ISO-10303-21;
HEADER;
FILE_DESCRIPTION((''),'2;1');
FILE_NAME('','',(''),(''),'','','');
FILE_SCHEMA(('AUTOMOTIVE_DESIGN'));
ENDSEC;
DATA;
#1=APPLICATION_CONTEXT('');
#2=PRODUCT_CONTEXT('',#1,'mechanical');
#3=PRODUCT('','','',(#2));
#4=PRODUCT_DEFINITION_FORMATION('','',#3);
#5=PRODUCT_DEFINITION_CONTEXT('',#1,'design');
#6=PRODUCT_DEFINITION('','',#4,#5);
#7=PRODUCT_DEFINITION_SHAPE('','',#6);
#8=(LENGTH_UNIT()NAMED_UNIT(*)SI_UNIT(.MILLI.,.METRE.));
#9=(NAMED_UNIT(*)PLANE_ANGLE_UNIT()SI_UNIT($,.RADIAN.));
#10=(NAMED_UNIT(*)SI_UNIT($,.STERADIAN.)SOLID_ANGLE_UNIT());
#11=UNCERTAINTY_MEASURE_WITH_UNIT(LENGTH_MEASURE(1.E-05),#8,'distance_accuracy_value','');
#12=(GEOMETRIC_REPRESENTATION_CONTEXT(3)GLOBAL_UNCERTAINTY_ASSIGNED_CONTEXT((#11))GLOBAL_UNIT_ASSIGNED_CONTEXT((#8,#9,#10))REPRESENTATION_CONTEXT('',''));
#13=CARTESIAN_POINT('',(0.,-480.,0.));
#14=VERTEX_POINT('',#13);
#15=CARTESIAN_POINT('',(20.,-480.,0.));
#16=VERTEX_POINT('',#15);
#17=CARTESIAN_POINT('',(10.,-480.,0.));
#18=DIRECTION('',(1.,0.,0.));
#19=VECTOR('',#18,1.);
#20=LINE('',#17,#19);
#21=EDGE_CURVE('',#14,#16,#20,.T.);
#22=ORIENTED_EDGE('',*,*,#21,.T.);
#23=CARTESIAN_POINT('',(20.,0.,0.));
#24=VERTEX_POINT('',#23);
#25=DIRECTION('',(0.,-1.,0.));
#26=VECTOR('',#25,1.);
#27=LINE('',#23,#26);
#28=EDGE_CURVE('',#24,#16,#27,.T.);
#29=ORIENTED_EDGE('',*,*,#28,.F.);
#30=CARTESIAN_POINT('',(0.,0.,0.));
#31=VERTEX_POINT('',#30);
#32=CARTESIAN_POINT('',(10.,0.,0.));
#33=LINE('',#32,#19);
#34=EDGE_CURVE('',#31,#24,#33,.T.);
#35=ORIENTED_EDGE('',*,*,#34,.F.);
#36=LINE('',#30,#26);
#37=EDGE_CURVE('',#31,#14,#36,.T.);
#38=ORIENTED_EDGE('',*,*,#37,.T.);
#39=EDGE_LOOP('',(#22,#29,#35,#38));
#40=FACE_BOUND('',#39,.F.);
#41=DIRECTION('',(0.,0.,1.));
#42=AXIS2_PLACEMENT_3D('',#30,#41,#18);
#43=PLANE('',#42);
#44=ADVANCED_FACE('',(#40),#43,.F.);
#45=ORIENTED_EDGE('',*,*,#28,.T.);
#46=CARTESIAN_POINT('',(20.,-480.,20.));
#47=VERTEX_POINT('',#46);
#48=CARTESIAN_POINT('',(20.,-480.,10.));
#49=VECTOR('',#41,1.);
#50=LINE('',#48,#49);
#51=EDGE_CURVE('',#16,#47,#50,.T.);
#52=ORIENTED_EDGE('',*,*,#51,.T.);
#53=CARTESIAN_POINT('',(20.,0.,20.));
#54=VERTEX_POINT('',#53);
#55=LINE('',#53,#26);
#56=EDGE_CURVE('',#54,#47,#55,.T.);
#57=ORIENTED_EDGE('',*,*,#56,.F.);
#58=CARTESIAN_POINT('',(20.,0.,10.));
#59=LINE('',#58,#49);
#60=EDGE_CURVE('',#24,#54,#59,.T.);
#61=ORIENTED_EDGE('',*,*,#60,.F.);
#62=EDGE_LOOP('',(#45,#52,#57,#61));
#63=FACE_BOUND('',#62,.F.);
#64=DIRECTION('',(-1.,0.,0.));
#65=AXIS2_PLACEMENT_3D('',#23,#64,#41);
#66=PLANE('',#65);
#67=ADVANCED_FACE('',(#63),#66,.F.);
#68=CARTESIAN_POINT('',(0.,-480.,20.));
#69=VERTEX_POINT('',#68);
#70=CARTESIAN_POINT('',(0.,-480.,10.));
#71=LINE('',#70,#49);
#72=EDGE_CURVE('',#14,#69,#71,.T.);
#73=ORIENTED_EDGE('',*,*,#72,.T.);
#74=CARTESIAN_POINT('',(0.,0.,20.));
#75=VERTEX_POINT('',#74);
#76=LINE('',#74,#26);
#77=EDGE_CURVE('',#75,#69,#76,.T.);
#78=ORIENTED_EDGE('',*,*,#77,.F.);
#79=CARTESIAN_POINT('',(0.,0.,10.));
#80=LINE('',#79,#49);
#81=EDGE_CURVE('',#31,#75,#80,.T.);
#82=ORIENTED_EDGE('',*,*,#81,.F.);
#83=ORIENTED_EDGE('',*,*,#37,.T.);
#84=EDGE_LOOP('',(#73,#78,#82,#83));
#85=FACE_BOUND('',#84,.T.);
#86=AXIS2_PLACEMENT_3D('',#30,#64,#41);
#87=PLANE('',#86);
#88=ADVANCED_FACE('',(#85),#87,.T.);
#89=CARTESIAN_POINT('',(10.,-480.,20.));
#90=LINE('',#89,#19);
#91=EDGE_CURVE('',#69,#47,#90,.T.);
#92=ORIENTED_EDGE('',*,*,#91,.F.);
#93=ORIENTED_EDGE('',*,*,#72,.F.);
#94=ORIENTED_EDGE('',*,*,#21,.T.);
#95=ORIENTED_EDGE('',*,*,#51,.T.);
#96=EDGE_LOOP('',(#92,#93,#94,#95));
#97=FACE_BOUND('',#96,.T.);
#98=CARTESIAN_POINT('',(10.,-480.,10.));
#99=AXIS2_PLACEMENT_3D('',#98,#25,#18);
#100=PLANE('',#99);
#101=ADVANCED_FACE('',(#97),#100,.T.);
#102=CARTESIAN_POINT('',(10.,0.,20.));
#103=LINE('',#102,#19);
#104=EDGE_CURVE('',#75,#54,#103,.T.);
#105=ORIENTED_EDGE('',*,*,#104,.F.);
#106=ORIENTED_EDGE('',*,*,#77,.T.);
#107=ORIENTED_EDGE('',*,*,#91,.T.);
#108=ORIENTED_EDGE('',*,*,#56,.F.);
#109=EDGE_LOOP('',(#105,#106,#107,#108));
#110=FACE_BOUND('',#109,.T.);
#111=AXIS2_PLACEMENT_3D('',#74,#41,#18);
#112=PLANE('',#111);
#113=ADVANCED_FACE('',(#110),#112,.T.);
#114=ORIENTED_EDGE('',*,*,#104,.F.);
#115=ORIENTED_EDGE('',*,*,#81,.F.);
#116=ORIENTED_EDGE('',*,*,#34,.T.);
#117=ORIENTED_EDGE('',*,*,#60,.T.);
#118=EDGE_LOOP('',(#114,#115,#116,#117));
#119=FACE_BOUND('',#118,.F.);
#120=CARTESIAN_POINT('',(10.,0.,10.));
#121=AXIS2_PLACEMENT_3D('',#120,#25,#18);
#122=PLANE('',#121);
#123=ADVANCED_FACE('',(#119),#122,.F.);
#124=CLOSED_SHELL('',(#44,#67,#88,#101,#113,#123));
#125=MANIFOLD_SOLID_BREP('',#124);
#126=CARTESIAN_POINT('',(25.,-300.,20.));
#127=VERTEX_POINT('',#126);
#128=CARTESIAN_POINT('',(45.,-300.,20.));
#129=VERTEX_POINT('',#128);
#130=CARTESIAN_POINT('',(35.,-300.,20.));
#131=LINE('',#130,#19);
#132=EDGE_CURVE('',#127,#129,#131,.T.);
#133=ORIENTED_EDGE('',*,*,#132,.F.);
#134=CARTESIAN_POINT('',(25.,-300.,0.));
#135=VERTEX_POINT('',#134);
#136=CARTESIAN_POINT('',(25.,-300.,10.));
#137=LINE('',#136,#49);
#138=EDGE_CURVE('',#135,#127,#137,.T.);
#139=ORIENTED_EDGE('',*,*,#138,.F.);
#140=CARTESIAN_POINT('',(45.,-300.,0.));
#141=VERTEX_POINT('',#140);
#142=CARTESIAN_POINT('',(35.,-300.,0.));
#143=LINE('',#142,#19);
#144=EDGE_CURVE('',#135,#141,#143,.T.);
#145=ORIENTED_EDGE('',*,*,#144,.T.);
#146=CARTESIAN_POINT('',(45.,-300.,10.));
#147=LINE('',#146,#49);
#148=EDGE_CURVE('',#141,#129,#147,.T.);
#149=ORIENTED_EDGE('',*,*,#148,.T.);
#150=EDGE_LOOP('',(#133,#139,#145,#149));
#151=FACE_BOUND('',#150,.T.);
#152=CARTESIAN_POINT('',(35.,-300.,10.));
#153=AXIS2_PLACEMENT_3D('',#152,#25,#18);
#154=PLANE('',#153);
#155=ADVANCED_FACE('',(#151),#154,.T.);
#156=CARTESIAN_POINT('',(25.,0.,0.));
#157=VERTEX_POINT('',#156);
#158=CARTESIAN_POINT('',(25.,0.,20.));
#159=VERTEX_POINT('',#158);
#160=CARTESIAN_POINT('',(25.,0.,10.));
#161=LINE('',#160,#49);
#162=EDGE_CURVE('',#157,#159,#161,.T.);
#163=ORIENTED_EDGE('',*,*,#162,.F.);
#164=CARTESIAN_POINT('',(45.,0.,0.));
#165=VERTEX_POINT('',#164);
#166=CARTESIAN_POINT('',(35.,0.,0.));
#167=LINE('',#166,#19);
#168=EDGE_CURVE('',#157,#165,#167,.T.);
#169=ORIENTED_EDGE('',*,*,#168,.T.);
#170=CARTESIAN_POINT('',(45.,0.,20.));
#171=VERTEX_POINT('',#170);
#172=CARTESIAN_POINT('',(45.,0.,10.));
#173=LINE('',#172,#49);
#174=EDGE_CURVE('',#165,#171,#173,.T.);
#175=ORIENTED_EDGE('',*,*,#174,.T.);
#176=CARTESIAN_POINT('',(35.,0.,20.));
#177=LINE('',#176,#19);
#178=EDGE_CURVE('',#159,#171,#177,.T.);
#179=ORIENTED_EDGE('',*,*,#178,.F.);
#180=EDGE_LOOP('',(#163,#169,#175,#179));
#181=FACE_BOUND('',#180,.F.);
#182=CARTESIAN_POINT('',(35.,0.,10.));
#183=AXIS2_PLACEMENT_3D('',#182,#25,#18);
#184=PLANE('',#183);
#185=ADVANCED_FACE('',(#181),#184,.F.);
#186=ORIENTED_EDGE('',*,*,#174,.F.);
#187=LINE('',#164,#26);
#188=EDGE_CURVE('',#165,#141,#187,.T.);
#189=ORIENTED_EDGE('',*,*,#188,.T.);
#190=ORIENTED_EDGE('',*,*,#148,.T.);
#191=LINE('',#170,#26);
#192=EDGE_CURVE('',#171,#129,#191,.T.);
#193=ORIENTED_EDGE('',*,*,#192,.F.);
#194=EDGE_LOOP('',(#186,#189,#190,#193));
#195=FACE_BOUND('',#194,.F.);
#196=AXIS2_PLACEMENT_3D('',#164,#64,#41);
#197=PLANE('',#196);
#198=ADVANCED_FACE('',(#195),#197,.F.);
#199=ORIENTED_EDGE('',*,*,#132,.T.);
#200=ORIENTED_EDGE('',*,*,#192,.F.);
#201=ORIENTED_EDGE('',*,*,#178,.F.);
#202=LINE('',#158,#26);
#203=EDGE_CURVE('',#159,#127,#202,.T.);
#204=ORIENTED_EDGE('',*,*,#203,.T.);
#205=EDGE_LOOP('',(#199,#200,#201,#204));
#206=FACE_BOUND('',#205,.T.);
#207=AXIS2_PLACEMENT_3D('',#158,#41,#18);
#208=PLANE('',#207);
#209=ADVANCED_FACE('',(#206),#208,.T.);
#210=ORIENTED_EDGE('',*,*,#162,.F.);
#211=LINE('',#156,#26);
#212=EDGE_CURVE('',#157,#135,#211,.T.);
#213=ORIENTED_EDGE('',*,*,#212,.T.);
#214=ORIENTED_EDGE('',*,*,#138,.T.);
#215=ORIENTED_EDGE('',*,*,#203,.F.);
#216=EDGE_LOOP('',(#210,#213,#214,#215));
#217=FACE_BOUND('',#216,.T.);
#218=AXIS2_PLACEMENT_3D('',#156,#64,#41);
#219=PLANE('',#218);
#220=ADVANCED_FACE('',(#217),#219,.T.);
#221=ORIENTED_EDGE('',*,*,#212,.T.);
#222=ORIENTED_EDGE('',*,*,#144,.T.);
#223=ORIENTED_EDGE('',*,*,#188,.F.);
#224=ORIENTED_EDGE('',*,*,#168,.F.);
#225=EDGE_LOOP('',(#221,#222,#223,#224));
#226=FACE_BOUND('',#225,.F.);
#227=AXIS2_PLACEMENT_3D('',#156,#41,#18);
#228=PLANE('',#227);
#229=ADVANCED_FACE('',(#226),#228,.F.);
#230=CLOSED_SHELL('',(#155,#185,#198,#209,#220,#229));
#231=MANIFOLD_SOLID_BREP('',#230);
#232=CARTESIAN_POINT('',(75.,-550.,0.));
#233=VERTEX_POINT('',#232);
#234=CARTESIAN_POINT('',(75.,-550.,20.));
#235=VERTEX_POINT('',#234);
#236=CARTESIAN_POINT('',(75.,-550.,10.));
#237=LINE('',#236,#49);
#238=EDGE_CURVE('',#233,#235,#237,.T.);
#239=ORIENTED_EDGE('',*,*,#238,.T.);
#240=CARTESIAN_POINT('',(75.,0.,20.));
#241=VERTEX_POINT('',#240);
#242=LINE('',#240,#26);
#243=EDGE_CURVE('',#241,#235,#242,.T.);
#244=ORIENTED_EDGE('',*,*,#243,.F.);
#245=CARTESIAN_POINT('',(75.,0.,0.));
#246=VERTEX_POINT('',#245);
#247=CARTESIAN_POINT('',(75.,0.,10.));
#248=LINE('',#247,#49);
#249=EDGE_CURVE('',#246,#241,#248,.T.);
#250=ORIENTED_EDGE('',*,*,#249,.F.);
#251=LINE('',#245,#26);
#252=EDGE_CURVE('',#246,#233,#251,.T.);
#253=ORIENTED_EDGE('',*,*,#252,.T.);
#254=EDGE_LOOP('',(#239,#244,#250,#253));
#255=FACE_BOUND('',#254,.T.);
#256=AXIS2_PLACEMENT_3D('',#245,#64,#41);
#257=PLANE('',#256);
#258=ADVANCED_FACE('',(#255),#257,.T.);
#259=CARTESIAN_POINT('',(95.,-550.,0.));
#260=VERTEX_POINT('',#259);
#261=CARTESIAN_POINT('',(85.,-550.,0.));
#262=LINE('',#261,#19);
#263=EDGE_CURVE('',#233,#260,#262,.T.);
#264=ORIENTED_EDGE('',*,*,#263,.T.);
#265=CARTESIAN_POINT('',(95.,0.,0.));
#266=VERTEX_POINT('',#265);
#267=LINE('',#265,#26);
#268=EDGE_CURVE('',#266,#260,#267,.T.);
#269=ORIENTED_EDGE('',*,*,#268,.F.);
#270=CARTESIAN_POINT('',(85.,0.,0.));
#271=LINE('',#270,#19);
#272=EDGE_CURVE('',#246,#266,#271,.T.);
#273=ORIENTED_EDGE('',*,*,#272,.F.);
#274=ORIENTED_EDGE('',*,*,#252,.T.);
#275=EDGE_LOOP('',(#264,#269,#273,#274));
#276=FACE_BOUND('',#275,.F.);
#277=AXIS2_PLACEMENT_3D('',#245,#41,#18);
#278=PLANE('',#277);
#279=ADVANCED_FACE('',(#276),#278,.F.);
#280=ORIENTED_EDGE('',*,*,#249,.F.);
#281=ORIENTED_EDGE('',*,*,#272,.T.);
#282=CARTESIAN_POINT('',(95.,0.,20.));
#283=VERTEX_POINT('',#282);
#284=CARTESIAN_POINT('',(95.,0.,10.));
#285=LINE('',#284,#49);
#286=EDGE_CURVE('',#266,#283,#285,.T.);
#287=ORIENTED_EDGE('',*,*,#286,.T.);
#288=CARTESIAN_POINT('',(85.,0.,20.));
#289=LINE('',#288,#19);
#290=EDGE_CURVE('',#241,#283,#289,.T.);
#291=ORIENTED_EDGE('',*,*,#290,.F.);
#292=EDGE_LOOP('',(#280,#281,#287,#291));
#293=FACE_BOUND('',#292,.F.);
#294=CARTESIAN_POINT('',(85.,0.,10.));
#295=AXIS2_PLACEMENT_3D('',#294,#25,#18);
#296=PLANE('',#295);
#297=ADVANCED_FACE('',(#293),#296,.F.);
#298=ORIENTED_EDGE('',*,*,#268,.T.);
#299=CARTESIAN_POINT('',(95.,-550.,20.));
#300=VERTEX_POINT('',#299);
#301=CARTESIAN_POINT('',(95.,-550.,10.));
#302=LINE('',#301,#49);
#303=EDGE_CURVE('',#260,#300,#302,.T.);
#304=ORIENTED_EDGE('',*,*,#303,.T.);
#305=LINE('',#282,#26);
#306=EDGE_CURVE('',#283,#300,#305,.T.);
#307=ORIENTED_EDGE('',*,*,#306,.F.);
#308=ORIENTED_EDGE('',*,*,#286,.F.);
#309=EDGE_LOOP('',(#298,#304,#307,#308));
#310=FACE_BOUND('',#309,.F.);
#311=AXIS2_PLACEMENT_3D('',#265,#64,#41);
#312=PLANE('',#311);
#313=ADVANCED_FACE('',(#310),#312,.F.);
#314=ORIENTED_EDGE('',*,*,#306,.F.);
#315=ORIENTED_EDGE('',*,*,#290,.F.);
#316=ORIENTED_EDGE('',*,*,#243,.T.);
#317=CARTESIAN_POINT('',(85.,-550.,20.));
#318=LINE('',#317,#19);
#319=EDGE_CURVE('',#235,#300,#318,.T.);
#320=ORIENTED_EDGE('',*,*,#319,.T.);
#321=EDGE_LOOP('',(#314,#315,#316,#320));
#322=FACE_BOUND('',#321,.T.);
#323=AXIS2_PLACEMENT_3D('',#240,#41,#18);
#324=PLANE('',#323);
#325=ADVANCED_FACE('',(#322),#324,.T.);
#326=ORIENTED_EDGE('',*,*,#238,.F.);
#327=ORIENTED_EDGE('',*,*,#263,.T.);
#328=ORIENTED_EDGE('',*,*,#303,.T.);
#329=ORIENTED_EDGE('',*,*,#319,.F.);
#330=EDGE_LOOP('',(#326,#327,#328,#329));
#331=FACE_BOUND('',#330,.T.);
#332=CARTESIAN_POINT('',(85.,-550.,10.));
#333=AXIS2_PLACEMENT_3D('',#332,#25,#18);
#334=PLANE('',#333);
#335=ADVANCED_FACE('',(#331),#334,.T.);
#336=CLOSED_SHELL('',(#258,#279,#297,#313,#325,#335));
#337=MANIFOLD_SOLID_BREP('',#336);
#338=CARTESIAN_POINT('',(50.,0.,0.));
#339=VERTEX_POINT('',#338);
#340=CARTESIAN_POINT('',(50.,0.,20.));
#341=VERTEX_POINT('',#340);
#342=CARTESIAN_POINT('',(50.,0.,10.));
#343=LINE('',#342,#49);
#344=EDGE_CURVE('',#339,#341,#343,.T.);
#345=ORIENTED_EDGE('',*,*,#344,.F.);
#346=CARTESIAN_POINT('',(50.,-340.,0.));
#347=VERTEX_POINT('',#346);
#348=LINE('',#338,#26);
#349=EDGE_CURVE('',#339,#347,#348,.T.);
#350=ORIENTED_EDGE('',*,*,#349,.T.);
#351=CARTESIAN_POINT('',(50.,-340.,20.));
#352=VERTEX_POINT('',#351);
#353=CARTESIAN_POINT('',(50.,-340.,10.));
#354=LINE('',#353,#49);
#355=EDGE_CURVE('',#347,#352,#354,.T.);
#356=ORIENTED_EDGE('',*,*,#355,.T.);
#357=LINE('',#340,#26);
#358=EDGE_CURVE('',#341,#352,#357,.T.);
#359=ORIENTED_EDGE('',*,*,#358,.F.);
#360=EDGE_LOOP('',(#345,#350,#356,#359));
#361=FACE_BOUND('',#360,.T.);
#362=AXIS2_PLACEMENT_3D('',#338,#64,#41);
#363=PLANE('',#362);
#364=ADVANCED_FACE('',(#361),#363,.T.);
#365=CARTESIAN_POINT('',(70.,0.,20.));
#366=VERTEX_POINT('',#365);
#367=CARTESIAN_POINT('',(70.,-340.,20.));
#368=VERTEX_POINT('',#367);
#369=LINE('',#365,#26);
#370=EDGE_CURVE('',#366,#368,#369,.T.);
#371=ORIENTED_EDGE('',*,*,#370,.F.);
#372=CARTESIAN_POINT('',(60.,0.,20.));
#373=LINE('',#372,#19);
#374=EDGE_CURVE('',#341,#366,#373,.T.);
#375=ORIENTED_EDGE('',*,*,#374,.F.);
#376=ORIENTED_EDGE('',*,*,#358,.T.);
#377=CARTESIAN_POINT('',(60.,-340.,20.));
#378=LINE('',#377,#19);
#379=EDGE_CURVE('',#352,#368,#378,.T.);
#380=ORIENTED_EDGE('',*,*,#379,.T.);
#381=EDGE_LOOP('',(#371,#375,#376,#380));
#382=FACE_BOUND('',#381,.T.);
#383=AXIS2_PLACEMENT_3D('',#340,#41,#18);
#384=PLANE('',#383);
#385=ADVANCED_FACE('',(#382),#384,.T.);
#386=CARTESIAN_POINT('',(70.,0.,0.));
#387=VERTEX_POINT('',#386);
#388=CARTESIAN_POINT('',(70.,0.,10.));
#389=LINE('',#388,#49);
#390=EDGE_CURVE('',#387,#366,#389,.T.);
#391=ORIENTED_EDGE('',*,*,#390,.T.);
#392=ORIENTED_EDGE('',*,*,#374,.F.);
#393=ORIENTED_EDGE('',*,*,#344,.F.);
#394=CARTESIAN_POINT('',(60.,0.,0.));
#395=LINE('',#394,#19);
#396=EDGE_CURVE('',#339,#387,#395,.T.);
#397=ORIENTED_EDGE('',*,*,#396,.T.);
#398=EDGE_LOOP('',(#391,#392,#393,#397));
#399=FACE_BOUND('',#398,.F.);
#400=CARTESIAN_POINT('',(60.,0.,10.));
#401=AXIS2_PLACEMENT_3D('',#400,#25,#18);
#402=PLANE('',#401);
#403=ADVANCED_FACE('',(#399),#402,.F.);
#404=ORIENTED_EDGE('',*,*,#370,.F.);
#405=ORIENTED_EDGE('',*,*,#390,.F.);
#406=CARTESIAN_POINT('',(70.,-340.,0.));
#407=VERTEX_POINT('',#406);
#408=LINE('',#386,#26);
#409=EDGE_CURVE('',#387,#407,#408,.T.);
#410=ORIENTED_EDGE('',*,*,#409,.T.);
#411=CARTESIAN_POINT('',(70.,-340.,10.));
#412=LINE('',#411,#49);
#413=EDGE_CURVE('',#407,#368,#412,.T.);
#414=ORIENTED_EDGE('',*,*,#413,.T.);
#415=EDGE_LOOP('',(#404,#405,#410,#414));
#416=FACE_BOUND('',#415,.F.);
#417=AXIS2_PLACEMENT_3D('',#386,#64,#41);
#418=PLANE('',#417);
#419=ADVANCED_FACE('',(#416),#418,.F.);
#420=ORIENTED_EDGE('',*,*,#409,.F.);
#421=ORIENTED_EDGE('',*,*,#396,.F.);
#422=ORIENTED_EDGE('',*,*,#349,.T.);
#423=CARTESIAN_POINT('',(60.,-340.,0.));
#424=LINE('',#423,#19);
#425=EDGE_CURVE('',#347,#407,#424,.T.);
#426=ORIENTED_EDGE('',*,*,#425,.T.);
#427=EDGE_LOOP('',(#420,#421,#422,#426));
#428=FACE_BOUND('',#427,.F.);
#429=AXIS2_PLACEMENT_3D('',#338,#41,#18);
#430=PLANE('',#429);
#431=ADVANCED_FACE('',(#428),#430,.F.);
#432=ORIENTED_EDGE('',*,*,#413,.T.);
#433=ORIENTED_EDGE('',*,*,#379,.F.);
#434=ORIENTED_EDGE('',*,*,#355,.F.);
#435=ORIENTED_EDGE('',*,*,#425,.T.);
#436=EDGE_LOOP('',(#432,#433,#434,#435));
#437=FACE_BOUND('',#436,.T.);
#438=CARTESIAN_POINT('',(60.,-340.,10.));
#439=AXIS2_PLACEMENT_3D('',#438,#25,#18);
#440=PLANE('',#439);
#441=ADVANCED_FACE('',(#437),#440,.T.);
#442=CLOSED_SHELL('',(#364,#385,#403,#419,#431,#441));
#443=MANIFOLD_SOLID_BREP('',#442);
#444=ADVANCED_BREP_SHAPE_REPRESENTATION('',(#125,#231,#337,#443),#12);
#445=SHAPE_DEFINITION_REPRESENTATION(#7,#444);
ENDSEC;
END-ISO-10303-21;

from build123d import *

# Parameters (mm, degrees)
F0_W     = 20
F0_H     = 20
F1_DEPTH = 480
F2_DEPTH = 300
F3_DEPTH = 340
F4_DEPTH = 550


with BuildPart() as f1:
    # F0 (on Front) → F1 (new body)
    with BuildSketch(Plane.XZ):
        with Locations((10, 10)):
            Rectangle(F0_W, F0_H)
    extrude(amount=F1_DEPTH)


with BuildPart() as f2:
    # F0 (on Front) → F2 (new body)
    with BuildSketch(Plane.XZ):
        with Locations((35, 10)):
            Rectangle(F0_W, F0_H)
    extrude(amount=F2_DEPTH)


with BuildPart() as f3:
    # F0 (on Front) → F3 (new body)
    with BuildSketch(Plane.XZ):
        with Locations((60, 10)):
            Rectangle(F0_W, F0_H)
    extrude(amount=F3_DEPTH)


with BuildPart() as f4:
    # F0 (on Front) → F4 (new body)
    with BuildSketch(Plane.XZ):
        with Locations((85, 10)):
            Rectangle(F0_W, F0_H)
    extrude(amount=F4_DEPTH)


solid = Compound([f1.part, f2.part, f3.part, f4.part])
